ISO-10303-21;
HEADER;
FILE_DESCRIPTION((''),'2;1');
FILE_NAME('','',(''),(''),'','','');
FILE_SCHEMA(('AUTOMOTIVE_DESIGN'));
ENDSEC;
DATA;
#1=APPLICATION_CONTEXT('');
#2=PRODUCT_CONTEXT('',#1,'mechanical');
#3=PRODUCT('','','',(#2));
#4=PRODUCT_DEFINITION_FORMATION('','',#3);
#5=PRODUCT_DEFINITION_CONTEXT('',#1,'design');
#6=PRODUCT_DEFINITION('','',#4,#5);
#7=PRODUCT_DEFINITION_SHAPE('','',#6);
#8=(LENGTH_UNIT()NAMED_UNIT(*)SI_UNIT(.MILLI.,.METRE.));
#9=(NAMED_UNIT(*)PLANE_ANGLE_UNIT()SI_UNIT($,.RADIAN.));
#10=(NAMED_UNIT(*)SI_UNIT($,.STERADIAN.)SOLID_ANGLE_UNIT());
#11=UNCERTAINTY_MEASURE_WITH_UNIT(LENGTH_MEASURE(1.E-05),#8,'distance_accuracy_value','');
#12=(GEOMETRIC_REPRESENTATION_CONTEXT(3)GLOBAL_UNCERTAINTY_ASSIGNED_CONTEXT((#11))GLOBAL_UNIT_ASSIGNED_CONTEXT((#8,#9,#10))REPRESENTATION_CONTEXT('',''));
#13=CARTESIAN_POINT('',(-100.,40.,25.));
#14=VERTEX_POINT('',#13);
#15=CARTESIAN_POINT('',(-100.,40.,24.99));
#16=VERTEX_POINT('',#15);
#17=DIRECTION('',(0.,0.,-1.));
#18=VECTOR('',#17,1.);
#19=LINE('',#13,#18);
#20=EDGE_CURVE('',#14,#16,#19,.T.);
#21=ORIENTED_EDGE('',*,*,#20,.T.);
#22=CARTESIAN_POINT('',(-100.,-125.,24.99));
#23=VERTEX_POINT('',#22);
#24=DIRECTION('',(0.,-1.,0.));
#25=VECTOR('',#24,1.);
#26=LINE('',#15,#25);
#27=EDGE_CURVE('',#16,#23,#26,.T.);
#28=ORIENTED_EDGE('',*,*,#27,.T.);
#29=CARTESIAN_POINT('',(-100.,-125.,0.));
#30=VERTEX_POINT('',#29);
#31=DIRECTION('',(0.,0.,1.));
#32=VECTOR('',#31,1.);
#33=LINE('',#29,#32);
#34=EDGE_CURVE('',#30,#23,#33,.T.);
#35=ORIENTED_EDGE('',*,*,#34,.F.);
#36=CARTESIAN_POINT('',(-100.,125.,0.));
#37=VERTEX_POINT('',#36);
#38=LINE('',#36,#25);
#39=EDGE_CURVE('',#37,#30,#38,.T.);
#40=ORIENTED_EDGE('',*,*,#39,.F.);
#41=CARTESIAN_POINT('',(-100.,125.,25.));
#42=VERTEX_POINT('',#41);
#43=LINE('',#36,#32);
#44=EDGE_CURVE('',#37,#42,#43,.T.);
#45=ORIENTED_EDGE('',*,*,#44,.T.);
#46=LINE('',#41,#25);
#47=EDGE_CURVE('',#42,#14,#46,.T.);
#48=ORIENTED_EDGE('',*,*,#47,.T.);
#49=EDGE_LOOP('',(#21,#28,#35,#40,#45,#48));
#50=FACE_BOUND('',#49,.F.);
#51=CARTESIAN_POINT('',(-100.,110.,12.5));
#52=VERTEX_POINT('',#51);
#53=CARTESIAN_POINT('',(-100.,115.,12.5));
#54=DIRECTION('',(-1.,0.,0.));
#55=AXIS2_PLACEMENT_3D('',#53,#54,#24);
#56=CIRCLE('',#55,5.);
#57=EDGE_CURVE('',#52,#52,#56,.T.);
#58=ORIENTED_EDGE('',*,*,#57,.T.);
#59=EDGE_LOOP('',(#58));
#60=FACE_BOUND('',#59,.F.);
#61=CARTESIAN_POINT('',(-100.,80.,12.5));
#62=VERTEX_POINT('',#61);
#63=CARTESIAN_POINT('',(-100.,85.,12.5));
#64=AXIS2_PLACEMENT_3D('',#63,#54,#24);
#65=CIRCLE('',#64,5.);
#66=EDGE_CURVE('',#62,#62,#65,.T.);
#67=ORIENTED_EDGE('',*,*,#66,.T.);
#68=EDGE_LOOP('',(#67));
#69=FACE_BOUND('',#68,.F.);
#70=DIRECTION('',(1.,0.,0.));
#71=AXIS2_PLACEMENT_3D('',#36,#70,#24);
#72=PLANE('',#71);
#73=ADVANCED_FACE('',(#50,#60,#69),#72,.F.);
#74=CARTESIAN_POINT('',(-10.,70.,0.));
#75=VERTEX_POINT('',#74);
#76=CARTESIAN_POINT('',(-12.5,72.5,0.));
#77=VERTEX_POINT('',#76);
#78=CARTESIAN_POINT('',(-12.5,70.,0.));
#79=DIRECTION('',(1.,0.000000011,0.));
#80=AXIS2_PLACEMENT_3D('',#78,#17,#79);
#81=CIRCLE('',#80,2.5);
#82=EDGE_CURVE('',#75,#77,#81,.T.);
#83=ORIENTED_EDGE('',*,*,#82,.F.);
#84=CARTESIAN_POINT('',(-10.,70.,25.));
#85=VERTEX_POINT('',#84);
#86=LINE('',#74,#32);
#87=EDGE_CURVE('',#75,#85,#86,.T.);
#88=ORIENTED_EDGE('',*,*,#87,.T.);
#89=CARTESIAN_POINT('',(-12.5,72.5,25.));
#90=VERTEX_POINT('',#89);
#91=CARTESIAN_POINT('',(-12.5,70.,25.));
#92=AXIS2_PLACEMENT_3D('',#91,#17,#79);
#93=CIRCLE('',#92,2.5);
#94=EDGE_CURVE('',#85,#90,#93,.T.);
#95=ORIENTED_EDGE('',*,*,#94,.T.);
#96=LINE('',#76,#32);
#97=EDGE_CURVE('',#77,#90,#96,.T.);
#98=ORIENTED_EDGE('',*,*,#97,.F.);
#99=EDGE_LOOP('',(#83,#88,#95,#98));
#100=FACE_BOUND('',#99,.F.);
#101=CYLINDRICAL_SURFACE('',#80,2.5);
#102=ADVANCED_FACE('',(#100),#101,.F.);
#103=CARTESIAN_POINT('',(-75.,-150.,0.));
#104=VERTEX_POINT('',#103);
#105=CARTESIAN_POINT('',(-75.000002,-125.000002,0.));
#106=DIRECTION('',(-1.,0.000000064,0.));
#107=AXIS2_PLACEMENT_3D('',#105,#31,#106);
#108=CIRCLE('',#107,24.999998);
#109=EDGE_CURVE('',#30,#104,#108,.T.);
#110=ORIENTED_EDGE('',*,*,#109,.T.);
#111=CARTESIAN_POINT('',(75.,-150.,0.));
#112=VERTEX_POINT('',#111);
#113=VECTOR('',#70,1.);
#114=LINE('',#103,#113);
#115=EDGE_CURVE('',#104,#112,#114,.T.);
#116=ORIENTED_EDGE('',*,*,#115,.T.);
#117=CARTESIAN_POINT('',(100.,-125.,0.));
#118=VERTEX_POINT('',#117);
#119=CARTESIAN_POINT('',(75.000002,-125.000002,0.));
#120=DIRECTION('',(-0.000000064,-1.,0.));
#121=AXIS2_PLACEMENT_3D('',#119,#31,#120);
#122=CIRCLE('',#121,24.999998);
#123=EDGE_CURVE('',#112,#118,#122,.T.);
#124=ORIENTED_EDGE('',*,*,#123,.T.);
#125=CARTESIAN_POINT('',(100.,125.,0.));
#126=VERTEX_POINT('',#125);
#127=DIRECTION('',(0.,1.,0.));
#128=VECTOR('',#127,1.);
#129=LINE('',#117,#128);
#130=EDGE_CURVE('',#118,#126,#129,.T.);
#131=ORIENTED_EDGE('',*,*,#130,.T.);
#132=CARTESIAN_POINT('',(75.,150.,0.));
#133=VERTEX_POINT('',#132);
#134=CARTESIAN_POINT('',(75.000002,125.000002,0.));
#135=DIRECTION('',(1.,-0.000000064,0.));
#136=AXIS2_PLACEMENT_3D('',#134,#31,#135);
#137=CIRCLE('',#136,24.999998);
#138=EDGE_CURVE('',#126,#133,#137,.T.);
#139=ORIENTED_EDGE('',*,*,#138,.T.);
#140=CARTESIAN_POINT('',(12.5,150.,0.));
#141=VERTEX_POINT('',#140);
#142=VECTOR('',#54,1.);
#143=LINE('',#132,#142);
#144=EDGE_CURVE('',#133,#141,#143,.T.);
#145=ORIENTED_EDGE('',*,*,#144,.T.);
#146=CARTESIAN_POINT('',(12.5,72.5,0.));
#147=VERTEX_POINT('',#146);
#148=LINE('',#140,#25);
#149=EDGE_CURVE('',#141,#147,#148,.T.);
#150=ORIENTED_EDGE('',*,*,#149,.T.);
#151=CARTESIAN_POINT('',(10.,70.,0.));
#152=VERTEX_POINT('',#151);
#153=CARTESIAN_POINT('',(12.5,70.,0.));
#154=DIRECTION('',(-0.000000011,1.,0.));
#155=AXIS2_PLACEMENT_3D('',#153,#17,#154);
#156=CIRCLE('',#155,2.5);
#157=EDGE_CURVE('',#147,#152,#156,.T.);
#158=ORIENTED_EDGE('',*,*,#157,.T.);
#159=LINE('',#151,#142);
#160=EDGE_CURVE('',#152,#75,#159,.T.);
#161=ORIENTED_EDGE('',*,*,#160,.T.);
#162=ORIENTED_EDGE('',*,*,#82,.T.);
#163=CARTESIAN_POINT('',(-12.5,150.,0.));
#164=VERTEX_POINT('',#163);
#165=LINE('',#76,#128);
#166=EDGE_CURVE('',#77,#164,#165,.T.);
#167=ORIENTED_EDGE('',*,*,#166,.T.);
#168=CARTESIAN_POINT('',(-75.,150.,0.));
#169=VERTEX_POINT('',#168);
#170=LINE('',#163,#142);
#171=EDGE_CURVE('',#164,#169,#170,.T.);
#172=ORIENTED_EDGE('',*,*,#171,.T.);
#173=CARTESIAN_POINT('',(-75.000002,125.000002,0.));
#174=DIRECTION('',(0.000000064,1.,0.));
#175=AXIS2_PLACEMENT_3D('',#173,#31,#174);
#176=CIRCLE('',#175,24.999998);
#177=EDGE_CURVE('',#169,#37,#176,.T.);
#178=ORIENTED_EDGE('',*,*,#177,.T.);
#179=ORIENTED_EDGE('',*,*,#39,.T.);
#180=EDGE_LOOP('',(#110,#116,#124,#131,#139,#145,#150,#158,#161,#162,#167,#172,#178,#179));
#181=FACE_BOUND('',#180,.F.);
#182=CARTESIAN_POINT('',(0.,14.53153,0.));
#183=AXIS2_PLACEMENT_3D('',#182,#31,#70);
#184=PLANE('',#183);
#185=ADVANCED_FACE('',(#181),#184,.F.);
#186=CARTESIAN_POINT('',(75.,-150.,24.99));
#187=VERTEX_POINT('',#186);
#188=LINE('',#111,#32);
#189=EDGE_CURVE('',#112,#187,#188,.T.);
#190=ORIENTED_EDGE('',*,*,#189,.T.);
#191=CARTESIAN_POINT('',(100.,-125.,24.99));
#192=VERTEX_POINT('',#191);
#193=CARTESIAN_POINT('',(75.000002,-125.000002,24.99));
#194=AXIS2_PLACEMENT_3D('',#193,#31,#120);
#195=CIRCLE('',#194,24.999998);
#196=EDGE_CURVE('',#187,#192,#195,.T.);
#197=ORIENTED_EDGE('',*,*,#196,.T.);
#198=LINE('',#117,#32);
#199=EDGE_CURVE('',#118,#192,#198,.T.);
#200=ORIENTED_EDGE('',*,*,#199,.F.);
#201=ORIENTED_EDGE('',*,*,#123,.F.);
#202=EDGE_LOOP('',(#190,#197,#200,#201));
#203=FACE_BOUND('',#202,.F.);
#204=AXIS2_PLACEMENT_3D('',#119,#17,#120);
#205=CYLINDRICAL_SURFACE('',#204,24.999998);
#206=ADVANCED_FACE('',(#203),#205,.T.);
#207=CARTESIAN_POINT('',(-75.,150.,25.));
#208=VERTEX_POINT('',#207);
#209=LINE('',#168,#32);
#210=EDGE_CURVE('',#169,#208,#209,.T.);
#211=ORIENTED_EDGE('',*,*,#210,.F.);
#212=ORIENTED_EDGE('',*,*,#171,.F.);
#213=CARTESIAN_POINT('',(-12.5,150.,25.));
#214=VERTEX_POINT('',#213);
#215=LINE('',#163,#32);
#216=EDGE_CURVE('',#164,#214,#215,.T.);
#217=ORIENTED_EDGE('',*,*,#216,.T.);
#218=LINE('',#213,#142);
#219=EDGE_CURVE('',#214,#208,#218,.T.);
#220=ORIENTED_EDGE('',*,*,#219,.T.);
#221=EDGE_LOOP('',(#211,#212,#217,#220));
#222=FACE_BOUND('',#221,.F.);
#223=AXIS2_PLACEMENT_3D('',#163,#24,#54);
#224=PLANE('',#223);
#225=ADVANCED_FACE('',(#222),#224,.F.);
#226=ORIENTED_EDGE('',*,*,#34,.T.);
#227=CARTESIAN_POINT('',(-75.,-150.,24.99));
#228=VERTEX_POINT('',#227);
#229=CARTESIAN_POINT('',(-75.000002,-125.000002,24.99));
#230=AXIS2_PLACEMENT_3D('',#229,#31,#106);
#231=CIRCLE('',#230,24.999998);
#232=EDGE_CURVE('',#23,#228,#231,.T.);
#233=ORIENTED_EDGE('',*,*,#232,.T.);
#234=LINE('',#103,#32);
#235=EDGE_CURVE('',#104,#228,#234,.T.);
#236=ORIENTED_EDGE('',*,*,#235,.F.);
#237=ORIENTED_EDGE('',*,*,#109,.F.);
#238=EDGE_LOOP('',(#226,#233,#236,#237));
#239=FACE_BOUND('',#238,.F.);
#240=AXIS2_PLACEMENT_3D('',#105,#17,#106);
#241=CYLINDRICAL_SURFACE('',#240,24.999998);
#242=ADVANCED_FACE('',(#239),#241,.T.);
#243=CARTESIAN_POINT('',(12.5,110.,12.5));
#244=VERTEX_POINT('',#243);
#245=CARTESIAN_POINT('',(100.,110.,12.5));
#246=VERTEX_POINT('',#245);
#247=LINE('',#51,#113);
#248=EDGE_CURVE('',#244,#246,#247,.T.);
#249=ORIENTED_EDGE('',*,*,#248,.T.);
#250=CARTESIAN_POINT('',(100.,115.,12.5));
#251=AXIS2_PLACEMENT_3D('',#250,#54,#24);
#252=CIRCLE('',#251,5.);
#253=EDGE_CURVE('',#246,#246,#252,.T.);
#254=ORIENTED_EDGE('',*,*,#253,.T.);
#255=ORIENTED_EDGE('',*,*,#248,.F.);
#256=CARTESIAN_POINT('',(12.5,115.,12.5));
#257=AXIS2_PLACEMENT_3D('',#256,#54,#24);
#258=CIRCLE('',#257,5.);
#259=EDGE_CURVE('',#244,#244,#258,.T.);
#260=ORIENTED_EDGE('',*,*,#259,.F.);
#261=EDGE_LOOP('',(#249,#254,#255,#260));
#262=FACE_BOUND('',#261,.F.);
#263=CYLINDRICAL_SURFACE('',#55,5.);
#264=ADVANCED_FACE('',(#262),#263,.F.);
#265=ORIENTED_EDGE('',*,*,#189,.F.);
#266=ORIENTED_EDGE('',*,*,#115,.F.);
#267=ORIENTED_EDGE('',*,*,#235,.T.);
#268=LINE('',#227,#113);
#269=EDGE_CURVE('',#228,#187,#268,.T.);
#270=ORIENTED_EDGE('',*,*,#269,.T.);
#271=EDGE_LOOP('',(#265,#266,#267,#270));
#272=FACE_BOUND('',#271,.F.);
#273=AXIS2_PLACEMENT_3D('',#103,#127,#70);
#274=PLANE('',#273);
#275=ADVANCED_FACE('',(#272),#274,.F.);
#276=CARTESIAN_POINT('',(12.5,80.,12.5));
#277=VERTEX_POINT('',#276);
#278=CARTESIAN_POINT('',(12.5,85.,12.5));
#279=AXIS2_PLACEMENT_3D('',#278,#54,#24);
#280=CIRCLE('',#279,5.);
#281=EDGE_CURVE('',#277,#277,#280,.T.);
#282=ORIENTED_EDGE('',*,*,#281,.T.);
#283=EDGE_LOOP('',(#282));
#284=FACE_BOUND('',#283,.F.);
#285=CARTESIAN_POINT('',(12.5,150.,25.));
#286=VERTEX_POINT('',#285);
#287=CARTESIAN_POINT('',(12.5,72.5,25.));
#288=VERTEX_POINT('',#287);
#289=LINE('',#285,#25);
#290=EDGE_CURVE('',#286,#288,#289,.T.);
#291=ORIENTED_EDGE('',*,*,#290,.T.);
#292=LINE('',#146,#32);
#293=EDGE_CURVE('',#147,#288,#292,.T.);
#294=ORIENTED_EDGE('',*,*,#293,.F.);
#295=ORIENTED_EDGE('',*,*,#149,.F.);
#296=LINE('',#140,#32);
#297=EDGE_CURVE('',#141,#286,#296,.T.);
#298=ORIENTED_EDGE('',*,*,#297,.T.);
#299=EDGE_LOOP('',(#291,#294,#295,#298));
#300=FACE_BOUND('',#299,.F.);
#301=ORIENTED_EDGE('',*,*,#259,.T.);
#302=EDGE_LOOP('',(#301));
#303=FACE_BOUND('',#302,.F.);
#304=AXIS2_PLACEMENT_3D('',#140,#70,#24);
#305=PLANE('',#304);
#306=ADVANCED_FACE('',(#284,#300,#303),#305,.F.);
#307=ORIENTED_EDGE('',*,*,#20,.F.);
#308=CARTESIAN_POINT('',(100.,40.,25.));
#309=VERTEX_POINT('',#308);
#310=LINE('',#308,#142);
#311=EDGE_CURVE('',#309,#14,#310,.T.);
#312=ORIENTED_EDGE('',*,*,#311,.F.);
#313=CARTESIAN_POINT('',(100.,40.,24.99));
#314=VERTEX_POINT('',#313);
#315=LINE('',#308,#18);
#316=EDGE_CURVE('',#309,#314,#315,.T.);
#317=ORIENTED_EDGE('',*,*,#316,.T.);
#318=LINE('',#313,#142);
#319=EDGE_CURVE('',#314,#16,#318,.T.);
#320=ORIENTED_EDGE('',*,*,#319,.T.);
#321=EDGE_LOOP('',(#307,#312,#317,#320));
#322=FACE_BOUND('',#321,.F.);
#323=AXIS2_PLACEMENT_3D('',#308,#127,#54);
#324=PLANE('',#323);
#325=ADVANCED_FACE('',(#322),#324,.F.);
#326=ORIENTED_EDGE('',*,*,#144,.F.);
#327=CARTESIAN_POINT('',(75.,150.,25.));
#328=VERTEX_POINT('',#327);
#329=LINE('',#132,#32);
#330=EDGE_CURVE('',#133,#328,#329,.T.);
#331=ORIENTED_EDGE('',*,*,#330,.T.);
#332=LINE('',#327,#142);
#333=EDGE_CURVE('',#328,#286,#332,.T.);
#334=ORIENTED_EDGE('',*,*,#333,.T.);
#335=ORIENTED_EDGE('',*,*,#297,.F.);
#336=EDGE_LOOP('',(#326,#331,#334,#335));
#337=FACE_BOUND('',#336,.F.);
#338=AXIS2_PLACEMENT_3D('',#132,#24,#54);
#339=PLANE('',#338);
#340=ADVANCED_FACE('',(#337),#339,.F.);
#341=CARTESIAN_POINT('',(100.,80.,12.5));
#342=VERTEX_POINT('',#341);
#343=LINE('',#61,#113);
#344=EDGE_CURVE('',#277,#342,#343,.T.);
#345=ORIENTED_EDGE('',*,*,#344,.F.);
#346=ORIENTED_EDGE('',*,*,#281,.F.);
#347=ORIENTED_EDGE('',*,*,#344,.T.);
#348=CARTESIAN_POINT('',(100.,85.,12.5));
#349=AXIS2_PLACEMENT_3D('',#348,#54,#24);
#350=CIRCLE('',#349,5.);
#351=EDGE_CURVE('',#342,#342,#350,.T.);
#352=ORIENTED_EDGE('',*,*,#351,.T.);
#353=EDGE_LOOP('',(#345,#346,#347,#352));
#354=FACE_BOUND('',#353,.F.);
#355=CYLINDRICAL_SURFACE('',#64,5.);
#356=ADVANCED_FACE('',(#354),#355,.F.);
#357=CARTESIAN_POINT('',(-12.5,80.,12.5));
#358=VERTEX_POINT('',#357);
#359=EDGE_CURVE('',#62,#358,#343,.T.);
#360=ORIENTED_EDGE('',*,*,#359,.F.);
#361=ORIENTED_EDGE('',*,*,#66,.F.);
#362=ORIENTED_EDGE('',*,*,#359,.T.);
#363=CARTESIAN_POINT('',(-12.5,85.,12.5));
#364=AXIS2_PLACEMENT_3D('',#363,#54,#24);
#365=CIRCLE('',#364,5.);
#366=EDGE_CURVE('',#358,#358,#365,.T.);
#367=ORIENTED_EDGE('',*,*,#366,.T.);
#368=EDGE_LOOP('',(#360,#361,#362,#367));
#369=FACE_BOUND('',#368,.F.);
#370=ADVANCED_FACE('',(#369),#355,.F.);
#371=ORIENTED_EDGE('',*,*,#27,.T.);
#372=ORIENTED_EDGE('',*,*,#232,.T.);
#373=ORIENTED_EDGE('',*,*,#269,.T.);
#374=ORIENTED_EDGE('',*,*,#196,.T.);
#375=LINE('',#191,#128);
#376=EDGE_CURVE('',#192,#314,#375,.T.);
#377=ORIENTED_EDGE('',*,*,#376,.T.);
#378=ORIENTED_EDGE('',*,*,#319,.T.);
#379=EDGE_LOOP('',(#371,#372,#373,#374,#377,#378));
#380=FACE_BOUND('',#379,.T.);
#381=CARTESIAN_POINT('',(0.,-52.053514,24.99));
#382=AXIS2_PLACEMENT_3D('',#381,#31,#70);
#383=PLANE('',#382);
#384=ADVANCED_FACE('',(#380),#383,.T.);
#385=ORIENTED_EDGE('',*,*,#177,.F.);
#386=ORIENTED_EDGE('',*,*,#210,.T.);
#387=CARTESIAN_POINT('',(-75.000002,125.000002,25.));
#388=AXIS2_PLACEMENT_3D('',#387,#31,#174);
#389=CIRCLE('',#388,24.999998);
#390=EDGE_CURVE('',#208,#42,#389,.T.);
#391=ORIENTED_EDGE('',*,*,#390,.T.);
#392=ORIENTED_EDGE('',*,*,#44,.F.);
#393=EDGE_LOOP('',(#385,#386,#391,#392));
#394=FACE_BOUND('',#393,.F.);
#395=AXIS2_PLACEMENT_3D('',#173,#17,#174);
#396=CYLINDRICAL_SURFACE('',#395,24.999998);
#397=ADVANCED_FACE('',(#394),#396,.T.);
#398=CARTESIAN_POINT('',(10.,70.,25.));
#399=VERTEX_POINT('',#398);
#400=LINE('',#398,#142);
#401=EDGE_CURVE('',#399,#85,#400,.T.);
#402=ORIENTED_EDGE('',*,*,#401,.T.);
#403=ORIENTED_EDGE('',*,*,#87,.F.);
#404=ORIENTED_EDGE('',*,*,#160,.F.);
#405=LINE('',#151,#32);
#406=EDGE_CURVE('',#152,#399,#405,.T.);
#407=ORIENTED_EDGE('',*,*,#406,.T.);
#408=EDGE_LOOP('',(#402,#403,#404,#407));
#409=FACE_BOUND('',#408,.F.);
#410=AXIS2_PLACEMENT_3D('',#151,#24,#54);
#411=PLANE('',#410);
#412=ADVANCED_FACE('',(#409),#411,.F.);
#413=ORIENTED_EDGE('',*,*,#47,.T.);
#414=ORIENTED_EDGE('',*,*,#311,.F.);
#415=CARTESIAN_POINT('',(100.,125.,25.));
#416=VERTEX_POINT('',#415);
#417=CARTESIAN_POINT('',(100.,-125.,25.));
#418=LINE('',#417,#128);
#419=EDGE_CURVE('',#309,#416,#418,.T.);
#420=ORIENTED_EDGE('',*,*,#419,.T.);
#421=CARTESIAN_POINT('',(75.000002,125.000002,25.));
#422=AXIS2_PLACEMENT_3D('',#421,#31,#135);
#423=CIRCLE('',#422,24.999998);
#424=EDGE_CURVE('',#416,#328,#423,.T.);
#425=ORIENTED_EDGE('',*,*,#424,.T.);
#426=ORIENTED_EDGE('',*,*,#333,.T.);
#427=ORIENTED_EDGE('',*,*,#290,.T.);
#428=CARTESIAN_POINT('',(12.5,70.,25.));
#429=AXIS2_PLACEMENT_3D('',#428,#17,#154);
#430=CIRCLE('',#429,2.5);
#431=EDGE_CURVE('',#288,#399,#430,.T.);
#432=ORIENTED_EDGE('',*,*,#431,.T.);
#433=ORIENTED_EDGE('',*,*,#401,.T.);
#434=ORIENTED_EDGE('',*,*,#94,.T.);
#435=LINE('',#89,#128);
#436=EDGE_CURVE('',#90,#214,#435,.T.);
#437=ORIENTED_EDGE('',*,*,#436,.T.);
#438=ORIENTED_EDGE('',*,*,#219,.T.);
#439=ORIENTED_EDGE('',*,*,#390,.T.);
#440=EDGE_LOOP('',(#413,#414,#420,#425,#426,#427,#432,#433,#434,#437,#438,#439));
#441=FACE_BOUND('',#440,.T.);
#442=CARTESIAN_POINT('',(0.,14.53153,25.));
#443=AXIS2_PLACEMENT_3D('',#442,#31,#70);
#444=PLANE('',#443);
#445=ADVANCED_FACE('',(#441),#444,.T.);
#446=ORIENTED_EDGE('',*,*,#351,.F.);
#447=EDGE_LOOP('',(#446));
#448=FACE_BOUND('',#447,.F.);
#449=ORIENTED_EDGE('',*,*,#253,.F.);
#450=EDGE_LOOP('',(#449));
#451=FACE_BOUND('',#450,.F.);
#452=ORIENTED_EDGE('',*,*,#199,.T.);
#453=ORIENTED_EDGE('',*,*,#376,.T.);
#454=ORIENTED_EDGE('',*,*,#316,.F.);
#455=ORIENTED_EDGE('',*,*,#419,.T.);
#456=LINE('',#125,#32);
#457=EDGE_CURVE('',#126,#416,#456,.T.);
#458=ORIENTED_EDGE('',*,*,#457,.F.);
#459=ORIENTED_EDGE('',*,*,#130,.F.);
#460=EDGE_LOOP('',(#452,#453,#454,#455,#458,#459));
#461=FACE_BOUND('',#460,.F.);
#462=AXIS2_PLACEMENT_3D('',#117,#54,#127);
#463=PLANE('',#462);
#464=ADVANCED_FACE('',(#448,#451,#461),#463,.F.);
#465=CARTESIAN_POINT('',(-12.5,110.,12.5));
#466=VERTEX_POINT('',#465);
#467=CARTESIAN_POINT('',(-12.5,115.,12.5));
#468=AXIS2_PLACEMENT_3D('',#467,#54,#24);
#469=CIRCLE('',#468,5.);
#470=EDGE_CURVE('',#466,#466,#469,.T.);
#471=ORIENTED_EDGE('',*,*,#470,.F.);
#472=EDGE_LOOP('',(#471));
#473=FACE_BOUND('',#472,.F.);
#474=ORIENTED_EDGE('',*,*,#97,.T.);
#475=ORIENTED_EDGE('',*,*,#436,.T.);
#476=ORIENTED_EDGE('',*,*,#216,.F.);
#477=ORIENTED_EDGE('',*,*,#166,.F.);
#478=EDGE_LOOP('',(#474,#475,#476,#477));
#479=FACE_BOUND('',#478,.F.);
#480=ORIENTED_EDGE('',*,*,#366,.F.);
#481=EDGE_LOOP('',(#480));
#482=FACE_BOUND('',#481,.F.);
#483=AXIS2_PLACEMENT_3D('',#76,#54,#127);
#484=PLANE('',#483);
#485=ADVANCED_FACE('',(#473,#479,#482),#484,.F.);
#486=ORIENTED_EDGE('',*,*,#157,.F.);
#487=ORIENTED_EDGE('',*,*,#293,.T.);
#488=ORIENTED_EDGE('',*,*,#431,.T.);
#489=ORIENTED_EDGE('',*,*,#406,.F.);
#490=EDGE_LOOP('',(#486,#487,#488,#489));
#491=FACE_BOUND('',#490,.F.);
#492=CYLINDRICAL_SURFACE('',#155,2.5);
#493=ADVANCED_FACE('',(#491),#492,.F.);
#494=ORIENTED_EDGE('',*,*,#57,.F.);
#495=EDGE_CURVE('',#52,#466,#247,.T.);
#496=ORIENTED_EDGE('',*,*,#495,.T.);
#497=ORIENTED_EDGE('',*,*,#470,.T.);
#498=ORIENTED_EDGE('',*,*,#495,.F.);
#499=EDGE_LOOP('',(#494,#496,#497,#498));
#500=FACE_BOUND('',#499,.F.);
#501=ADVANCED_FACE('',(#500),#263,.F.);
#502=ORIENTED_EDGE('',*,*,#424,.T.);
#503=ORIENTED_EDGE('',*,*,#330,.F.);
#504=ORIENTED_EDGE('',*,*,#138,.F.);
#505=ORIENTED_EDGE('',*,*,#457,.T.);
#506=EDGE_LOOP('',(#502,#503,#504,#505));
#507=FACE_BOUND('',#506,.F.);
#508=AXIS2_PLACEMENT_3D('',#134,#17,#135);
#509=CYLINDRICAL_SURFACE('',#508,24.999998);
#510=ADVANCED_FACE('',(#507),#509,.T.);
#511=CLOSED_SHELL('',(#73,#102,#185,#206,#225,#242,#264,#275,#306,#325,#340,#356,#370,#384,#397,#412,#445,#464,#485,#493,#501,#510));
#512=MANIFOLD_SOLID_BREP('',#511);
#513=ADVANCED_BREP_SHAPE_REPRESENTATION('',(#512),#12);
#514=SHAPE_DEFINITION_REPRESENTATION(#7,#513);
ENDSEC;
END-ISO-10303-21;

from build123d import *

# Parameters (mm, degrees)
F1_DEPTH = 25
F2_R     = 5
F3_DEPTH = 200.001
F5_DEPTH = 0.01


with BuildPart() as f1:
    # F0 (on Top) → F1 (new body)
    with BuildSketch(Plane.XY):
        with BuildLine():
            Line((-12.5, 150), (-75, 150))
            ThreePointArc((-75, 150), (-92.67767, 142.67767), (-100, 125))
            Line((-100, 125), (-100, -125))
            ThreePointArc((-100, -125), (-92.67767, -142.67767), (-75, -150))
            Line((-75, -150), (75, -150))
            ThreePointArc((75, -150), (92.67767, -142.67767), (100, -125))
            Line((100, -125), (100, 125))
            ThreePointArc((100, 125), (92.67767, 142.67767), (75, 150))
            Line((75, 150), (12.5, 150))
            Line((12.5, 150), (12.5, 72.5))
            ThreePointArc((12.5, 72.5), (14.267767, 68.232233), (10, 70))
            Line((10, 70), (-10, 70))
            ThreePointArc((-10, 70), (-14.267767, 68.232233), (-12.5, 72.5))
            Line((-12.5, 72.5), (-12.5, 150))
        make_face()
    extrude(amount=F1_DEPTH)

    # F2 (on face) → F3 (cut, through all)
    with BuildSketch(Plane(origin=(-100, 0, 0), x_dir=(0, -1, 0), z_dir=(-1, 0, 0))):
        with Locations((-115, 12.5)):
            Circle(F2_R)
        with Locations((-85, 12.5)):
            Circle(F2_R)
    extrude(amount=-F3_DEPTH, mode=Mode.SUBTRACT)

    # F4 (on face) → F5 (cut)
    with BuildSketch(Plane.XY.offset(25)):
        with BuildLine():
            ThreePointArc((-100, -125), (-92.67767, -142.67767), (-75, -150))
            Line((-75, -150), (75, -150))
            ThreePointArc((75, -150), (92.67767, -142.67767), (100, -125))
            Line((100, -125), (100, 40))
            Line((100, 40), (-100, 40))
            Line((-100, 40), (-100, -125))
        make_face()
    extrude(amount=-F5_DEPTH, mode=Mode.SUBTRACT)


solid = f1.part
